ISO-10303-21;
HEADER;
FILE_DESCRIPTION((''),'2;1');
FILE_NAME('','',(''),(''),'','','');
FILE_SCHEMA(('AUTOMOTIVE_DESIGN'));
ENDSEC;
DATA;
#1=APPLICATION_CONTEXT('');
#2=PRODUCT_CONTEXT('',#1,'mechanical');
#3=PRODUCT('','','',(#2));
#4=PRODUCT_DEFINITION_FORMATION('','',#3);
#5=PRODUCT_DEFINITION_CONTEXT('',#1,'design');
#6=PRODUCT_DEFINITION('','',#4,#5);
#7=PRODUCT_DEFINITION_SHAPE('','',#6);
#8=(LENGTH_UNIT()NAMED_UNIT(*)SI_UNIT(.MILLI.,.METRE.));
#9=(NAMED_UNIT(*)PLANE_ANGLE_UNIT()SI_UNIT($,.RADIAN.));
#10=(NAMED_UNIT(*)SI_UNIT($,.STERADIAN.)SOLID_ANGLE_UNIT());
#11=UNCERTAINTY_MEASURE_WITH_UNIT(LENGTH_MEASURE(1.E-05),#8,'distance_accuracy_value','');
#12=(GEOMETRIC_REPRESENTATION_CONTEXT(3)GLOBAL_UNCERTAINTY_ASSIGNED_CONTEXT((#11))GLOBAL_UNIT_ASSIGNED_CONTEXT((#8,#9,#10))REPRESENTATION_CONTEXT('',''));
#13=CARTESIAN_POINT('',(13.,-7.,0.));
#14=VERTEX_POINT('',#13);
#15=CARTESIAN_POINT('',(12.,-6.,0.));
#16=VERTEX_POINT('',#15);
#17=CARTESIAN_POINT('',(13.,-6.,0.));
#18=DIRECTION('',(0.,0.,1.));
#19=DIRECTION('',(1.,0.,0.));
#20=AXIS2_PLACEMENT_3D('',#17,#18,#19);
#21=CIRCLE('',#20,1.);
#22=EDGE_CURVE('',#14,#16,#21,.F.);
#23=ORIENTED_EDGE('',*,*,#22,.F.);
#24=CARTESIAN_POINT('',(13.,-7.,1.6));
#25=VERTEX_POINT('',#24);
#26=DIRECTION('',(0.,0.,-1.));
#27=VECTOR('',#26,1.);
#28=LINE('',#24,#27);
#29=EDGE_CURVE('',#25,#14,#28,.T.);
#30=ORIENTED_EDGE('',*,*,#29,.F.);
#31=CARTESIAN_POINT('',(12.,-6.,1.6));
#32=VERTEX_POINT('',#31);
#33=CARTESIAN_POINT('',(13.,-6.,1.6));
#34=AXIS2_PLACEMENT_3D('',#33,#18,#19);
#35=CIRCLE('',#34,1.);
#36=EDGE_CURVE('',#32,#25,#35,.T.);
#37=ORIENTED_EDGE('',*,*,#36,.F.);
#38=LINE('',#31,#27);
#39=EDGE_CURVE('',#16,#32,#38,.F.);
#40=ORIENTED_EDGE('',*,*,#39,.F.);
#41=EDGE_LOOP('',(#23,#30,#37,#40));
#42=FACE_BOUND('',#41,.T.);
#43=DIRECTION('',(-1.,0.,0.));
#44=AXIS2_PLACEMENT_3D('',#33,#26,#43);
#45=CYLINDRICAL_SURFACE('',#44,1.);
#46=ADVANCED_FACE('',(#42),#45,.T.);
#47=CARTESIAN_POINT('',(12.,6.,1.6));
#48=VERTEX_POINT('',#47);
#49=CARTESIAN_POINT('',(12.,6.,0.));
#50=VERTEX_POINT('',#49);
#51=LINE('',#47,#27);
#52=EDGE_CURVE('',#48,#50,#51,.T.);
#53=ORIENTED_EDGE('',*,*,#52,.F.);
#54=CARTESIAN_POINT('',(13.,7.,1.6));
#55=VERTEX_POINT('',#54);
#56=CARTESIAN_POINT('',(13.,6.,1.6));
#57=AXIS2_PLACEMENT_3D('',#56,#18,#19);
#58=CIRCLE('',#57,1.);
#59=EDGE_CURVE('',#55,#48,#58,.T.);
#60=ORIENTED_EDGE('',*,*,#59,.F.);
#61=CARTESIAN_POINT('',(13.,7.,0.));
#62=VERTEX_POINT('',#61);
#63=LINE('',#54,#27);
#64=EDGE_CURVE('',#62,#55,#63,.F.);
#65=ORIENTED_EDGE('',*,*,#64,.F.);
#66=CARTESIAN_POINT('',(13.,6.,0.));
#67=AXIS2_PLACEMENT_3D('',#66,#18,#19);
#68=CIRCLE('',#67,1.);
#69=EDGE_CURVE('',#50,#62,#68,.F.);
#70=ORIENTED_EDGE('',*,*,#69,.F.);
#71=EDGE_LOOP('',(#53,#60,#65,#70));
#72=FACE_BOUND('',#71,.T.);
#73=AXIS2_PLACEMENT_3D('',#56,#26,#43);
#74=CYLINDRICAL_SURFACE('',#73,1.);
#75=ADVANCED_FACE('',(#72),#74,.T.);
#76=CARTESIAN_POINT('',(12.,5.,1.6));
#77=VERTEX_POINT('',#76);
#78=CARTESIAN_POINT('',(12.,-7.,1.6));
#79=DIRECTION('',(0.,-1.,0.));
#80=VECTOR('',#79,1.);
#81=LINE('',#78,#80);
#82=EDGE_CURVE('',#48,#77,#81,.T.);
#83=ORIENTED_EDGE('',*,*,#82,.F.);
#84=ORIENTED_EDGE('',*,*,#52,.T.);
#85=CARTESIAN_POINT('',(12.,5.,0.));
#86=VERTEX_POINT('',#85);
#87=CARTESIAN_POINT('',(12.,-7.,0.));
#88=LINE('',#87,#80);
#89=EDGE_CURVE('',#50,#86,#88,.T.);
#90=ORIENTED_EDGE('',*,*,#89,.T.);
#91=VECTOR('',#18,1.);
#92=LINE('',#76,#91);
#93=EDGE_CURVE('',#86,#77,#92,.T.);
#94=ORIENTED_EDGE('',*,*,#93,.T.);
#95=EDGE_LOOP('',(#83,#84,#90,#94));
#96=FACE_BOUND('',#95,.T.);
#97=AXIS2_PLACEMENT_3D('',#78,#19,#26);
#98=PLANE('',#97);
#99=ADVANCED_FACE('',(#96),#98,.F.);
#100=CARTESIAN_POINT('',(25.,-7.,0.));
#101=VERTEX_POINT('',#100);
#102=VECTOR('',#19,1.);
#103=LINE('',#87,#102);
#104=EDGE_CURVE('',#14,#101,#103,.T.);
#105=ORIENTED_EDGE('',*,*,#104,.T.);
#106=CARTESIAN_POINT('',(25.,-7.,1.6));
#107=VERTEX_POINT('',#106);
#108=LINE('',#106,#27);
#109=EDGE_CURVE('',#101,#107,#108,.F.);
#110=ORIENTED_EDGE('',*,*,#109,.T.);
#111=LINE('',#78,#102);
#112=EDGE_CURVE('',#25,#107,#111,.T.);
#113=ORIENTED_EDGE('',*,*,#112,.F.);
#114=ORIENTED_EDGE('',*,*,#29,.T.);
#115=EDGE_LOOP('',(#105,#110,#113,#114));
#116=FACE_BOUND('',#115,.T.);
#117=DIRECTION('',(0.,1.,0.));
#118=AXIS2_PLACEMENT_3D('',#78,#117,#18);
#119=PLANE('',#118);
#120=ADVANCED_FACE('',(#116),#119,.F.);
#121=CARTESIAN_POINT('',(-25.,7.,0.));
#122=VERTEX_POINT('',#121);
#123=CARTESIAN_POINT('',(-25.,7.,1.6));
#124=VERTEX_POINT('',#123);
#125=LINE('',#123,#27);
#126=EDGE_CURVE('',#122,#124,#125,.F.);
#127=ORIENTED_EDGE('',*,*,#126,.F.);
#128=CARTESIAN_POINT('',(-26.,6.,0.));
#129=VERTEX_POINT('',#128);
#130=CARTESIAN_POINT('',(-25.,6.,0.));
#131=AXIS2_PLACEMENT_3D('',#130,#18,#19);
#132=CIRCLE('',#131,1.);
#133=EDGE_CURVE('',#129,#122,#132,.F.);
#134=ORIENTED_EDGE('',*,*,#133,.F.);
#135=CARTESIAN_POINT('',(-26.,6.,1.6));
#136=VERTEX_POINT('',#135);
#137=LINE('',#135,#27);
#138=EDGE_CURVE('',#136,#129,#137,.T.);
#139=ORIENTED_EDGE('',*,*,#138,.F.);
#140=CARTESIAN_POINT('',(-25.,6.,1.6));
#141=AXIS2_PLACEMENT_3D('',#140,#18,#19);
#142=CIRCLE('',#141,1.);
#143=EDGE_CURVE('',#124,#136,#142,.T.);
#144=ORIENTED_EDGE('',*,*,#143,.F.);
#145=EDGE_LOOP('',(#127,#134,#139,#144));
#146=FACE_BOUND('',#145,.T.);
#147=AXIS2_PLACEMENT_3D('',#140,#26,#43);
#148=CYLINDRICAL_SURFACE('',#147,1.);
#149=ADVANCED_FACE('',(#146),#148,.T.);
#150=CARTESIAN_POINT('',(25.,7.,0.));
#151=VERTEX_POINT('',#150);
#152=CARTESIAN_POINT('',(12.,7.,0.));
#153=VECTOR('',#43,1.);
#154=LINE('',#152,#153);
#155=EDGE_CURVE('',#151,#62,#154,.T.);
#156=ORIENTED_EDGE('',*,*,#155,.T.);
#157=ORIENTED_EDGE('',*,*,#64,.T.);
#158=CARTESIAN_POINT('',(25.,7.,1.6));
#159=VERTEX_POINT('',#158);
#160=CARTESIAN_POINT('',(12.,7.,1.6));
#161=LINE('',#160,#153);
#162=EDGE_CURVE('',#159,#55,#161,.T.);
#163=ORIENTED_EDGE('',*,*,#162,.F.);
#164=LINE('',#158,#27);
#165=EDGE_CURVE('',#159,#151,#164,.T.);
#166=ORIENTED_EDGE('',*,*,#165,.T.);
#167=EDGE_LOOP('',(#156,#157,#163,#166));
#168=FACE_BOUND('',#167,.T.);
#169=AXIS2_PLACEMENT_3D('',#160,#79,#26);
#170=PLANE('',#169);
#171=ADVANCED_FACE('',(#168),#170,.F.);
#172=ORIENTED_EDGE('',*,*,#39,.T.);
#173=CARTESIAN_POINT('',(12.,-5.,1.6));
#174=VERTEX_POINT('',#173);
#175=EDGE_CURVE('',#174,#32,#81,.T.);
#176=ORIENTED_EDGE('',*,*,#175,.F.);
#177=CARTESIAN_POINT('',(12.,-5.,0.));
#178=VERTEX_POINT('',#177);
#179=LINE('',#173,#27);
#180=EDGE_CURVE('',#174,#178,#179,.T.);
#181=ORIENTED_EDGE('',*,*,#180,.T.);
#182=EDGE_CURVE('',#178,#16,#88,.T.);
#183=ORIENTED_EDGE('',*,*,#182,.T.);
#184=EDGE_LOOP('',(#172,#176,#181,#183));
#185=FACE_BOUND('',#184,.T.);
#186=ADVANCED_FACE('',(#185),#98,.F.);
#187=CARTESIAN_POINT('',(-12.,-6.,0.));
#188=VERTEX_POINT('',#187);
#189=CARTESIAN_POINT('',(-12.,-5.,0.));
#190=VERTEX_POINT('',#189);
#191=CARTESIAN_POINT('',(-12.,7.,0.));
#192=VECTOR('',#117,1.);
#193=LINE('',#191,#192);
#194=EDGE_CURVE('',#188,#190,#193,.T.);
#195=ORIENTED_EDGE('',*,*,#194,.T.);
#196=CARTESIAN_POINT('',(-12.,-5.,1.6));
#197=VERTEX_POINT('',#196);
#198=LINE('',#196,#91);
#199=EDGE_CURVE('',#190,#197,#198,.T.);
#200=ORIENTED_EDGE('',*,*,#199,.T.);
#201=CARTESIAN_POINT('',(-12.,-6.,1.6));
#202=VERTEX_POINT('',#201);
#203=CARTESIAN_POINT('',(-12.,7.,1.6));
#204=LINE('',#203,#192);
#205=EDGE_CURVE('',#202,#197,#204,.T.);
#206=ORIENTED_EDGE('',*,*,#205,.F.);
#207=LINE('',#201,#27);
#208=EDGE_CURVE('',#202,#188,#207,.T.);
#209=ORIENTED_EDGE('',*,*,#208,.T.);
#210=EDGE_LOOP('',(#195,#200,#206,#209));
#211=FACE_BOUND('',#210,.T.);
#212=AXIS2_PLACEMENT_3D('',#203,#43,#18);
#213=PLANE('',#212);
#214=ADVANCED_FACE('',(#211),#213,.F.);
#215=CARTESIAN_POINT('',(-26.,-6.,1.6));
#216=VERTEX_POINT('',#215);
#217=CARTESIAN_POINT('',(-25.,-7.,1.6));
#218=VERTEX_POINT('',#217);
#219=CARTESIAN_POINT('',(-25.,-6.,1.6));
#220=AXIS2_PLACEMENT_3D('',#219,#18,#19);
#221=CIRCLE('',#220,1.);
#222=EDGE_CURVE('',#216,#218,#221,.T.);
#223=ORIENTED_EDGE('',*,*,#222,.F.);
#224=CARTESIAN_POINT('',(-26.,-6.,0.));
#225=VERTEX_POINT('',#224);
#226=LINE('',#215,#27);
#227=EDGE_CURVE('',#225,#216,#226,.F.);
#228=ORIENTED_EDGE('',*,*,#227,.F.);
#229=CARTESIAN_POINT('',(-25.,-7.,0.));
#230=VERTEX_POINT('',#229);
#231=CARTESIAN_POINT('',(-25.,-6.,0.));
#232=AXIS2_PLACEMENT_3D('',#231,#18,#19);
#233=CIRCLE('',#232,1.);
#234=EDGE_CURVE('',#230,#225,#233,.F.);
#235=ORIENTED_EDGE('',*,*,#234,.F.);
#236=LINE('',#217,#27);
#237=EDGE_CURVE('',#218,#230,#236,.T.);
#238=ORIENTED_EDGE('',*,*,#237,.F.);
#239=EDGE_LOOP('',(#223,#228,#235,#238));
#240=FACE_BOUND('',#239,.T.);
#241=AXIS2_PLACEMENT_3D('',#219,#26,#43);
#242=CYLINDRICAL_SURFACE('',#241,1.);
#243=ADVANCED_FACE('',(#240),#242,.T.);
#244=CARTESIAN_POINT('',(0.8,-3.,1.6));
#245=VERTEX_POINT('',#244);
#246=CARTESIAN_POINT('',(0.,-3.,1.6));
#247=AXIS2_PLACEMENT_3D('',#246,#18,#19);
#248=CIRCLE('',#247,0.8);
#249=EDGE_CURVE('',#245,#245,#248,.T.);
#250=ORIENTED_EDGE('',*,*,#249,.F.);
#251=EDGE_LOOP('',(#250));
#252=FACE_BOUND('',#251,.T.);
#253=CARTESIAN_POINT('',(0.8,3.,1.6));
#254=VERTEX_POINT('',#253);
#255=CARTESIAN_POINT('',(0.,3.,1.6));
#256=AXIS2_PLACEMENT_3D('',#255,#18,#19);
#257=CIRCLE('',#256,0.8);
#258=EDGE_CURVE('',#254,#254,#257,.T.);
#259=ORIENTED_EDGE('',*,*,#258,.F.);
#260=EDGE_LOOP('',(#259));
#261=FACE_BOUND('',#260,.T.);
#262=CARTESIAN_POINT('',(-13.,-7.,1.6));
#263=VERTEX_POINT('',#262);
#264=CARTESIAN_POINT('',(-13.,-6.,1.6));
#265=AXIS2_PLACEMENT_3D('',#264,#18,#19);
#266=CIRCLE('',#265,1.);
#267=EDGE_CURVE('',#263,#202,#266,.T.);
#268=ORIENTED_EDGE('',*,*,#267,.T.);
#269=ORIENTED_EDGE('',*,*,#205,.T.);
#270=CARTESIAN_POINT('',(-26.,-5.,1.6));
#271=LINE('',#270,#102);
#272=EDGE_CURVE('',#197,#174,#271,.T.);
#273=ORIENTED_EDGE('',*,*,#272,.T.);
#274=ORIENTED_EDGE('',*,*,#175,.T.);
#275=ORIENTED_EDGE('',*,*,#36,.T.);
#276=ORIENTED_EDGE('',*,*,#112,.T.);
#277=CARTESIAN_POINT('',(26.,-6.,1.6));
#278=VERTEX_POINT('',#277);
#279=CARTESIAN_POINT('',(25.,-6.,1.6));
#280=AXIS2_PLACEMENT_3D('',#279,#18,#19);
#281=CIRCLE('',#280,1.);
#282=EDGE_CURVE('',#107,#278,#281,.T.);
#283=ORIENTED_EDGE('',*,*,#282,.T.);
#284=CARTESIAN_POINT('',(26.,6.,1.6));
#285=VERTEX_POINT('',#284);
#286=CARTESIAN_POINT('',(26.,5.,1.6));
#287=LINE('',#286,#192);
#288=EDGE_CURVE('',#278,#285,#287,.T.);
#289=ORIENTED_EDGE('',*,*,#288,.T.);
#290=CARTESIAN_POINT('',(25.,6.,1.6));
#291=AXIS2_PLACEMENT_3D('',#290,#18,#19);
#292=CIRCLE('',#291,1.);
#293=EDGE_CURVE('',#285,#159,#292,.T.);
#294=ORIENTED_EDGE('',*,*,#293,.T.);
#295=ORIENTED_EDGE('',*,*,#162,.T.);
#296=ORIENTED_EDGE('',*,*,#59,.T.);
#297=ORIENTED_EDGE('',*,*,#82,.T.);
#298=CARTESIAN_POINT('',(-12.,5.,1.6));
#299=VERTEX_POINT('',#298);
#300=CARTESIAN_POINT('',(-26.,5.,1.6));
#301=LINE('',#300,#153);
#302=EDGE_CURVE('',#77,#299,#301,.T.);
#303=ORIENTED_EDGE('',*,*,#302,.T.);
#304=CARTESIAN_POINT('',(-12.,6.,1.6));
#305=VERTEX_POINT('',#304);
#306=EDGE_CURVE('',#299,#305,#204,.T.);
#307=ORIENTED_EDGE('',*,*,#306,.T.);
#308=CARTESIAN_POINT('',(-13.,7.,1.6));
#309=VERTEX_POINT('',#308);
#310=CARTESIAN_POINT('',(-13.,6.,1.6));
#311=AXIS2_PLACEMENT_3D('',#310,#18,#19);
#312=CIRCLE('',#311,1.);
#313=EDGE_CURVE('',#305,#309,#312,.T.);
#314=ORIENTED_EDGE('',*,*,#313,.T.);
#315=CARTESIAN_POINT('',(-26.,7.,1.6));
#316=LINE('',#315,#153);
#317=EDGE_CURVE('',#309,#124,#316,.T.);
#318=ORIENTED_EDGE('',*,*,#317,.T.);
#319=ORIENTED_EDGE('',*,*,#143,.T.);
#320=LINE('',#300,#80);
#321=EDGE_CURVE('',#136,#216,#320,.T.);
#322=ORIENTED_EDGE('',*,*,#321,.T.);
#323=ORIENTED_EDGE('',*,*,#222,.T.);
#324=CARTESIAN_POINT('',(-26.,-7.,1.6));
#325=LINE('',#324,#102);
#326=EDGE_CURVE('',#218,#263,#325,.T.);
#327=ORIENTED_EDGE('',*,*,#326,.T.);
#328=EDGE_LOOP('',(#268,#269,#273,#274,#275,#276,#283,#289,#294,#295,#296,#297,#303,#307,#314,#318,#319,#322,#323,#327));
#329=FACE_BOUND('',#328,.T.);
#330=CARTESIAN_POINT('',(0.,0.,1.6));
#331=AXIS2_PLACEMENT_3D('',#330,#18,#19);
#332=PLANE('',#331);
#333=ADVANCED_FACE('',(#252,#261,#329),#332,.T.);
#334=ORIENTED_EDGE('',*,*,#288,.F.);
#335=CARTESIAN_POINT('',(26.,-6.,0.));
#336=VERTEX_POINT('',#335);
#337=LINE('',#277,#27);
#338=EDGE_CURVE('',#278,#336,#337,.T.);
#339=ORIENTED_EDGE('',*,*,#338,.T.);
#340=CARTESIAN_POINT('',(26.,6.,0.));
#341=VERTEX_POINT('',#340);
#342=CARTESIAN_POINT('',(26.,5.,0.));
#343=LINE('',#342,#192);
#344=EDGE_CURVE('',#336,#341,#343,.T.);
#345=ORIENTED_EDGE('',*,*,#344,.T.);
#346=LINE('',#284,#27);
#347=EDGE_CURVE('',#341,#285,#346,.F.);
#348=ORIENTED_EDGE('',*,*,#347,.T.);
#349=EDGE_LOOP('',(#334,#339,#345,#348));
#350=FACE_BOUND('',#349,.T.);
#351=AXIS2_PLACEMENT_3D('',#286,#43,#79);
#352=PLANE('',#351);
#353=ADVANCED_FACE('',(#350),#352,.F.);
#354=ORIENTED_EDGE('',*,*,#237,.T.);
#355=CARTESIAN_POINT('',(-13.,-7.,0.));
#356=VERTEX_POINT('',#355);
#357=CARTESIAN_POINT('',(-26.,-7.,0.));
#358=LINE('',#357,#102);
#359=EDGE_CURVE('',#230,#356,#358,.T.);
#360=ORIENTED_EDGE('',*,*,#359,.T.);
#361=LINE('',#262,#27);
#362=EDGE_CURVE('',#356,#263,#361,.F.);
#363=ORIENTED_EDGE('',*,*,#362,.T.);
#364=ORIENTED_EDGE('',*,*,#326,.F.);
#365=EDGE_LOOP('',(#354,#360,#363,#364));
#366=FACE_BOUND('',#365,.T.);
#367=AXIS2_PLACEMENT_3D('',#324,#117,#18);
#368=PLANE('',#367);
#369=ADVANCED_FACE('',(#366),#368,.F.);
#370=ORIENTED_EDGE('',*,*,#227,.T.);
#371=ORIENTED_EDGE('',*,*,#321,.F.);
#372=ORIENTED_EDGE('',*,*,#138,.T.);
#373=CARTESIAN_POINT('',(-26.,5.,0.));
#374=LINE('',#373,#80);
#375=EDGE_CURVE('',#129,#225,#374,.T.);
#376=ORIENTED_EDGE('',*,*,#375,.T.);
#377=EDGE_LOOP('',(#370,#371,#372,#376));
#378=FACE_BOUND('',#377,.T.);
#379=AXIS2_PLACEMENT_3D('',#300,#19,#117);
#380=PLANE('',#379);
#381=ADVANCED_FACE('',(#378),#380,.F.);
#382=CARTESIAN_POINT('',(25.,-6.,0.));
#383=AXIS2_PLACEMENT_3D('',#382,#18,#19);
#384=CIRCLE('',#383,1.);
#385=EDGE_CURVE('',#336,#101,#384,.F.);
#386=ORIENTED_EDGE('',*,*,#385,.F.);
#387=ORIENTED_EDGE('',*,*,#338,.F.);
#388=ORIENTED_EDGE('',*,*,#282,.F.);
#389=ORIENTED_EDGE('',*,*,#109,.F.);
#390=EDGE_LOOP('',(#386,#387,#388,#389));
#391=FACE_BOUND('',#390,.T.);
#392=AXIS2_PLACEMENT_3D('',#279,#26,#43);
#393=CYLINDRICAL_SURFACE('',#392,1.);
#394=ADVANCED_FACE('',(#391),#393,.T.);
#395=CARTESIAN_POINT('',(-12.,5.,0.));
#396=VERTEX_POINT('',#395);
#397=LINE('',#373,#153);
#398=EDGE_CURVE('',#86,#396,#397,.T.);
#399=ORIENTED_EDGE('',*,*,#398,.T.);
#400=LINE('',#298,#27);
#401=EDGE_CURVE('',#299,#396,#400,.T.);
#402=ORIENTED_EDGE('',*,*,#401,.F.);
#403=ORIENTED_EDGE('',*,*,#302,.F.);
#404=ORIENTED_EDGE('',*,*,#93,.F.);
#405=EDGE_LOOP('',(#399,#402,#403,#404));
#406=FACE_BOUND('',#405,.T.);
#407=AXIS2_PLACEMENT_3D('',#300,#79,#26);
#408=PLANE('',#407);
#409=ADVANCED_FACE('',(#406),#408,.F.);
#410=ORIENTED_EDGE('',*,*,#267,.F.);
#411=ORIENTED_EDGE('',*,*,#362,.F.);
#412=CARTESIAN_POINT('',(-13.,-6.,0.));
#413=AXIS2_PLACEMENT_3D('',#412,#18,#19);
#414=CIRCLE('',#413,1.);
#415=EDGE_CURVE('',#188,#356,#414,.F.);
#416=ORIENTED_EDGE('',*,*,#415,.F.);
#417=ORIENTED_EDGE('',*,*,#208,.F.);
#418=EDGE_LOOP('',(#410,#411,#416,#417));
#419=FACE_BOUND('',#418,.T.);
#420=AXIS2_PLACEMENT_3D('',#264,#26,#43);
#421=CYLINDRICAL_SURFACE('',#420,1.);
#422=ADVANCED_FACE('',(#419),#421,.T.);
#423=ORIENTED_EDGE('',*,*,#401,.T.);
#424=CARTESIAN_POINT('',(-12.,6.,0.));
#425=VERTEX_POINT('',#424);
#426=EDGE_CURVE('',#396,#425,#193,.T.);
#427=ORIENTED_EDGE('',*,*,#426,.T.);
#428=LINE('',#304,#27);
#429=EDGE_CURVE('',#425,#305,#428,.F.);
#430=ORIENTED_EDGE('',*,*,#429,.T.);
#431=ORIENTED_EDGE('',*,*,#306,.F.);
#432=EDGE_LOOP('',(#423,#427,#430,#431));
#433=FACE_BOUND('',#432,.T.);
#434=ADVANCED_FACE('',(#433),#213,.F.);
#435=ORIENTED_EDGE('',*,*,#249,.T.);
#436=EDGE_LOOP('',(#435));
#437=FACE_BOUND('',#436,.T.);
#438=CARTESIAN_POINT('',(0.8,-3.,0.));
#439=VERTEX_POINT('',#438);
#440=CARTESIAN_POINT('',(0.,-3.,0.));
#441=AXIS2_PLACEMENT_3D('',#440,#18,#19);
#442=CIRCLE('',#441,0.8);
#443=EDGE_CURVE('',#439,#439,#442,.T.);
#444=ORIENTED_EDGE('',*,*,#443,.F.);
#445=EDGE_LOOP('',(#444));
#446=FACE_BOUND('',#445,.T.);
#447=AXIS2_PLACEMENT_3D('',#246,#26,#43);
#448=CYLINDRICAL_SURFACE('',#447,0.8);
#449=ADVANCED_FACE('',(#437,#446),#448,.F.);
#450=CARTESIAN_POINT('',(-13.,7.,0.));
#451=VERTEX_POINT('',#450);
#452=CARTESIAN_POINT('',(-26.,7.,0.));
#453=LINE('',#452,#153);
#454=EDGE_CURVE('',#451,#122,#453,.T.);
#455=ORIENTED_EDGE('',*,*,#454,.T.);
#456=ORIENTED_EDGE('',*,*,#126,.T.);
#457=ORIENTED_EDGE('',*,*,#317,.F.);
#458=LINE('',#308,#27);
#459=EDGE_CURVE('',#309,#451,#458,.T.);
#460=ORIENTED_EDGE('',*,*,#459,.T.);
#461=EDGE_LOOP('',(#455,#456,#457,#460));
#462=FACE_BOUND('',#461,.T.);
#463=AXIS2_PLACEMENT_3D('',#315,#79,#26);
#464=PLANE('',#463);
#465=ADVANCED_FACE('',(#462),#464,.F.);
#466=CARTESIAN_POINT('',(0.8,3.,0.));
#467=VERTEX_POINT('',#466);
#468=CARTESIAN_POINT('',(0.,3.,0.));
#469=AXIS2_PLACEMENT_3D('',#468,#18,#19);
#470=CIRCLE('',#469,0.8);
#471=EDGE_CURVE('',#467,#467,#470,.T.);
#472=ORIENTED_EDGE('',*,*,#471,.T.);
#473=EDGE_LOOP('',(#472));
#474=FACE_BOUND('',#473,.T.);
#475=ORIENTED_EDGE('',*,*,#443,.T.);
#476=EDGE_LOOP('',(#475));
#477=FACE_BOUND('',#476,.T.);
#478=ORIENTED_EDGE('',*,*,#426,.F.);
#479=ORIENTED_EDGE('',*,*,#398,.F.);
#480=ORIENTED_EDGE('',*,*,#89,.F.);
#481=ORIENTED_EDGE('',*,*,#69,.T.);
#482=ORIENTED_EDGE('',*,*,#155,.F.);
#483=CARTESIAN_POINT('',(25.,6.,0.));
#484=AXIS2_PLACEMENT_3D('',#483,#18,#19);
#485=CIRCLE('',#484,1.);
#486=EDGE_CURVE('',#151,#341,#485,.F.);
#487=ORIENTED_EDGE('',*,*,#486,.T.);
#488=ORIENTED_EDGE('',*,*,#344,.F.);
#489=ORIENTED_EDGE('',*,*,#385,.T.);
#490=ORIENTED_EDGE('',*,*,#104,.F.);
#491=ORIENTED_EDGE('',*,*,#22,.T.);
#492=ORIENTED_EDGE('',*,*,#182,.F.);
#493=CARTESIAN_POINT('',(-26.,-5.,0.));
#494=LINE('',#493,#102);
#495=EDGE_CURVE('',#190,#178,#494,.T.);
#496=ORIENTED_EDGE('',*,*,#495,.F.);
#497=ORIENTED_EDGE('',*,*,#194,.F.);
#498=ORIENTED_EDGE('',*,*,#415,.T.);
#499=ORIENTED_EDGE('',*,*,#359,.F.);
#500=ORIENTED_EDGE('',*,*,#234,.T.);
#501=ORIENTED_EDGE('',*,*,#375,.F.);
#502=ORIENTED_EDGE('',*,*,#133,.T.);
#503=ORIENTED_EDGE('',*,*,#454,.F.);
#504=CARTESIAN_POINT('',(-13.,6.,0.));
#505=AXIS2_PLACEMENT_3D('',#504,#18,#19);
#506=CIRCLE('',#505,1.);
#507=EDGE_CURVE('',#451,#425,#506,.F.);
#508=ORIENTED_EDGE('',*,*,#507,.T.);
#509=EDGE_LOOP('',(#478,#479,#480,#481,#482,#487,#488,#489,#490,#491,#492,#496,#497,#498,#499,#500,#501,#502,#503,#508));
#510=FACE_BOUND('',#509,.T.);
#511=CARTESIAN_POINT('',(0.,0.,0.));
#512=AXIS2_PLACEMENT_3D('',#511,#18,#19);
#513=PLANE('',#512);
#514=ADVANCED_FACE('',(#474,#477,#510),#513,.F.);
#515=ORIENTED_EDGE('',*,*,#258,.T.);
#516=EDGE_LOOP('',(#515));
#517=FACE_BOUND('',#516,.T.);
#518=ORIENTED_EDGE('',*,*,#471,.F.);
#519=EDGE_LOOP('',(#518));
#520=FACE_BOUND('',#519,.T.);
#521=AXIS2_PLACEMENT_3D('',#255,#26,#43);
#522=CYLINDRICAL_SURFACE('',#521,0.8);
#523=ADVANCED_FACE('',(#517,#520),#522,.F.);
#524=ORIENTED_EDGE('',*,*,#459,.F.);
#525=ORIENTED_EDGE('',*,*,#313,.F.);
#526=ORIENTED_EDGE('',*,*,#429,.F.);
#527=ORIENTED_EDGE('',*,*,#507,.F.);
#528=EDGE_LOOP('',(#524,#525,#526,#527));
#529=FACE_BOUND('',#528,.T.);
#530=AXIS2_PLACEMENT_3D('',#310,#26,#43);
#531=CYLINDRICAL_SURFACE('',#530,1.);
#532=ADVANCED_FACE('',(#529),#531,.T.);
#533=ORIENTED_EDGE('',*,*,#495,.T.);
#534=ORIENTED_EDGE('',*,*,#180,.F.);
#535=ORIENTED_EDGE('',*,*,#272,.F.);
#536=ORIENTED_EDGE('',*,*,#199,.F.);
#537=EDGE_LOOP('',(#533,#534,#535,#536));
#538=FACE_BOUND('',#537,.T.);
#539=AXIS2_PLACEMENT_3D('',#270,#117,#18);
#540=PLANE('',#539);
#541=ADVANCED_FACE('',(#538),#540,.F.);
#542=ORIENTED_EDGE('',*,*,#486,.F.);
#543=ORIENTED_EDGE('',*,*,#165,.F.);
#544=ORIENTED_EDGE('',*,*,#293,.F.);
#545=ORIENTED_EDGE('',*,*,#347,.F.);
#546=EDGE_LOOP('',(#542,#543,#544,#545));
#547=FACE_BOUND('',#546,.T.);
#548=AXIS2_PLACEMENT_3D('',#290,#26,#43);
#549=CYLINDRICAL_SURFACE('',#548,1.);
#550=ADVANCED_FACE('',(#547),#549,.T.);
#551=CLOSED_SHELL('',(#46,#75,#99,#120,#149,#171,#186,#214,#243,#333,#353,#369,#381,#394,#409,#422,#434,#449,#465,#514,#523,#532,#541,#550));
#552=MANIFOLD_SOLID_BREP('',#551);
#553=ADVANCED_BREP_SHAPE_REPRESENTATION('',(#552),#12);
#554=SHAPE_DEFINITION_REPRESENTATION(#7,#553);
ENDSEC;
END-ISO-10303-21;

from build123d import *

# Parameters (mm, degrees)
SKETCH_1_W          = 52
SKETCH_1_H          = 10
EXTRUDE_1_DEPTH     = 1.6
SKETCH_2_R          = 0.8
CUT_EXTRUDE_1_DEPTH = 1.6
SKETCH_3_W          = 14
SKETCH_3_H          = 14
EXTRUDE_3_DEPTH     = 1.6
FILLET_1_R          = 1


with BuildPart() as part:
    # 草图1 → 凸台-拉伸1 (new body)
    with BuildSketch(Plane.XY):
        Rectangle(SKETCH_1_W, SKETCH_1_H)
    extrude(amount=EXTRUDE_1_DEPTH)

    # 草图2 → 切除-拉伸1 (cut)
    with BuildSketch(Plane.XY):
        with Locations((0, 3)):
            Circle(SKETCH_2_R)
        with Locations((0, -3)):
            Circle(SKETCH_2_R)
    extrude(amount=CUT_EXTRUDE_1_DEPTH, mode=Mode.SUBTRACT)

    # 草图3 → 凸台-拉伸3 (add)
    with BuildSketch(Plane.XY):
        with Locations((-19, 0)):
            Rectangle(SKETCH_3_W, SKETCH_3_H)
        with Locations((19, 0)):
            Rectangle(SKETCH_3_W, SKETCH_3_H)
    extrude(amount=EXTRUDE_3_DEPTH)

    # 圆角1
    fillet_1_edges = [part.edges().sort_by_distance(p)[0] for p in [
        (-12, -7, 0.8),
        (-26, 7, 0.8),
        (-26, -7, 0.8),
        (-12, 7, 0.8),
        (12, 7, 0.8),
        (12, -7, 0.8),
        (26, -7, 0.8),
        (26, 7, 0.8),
    ]]
    fillet(fillet_1_edges, radius=FILLET_1_R)


solid = part.part
